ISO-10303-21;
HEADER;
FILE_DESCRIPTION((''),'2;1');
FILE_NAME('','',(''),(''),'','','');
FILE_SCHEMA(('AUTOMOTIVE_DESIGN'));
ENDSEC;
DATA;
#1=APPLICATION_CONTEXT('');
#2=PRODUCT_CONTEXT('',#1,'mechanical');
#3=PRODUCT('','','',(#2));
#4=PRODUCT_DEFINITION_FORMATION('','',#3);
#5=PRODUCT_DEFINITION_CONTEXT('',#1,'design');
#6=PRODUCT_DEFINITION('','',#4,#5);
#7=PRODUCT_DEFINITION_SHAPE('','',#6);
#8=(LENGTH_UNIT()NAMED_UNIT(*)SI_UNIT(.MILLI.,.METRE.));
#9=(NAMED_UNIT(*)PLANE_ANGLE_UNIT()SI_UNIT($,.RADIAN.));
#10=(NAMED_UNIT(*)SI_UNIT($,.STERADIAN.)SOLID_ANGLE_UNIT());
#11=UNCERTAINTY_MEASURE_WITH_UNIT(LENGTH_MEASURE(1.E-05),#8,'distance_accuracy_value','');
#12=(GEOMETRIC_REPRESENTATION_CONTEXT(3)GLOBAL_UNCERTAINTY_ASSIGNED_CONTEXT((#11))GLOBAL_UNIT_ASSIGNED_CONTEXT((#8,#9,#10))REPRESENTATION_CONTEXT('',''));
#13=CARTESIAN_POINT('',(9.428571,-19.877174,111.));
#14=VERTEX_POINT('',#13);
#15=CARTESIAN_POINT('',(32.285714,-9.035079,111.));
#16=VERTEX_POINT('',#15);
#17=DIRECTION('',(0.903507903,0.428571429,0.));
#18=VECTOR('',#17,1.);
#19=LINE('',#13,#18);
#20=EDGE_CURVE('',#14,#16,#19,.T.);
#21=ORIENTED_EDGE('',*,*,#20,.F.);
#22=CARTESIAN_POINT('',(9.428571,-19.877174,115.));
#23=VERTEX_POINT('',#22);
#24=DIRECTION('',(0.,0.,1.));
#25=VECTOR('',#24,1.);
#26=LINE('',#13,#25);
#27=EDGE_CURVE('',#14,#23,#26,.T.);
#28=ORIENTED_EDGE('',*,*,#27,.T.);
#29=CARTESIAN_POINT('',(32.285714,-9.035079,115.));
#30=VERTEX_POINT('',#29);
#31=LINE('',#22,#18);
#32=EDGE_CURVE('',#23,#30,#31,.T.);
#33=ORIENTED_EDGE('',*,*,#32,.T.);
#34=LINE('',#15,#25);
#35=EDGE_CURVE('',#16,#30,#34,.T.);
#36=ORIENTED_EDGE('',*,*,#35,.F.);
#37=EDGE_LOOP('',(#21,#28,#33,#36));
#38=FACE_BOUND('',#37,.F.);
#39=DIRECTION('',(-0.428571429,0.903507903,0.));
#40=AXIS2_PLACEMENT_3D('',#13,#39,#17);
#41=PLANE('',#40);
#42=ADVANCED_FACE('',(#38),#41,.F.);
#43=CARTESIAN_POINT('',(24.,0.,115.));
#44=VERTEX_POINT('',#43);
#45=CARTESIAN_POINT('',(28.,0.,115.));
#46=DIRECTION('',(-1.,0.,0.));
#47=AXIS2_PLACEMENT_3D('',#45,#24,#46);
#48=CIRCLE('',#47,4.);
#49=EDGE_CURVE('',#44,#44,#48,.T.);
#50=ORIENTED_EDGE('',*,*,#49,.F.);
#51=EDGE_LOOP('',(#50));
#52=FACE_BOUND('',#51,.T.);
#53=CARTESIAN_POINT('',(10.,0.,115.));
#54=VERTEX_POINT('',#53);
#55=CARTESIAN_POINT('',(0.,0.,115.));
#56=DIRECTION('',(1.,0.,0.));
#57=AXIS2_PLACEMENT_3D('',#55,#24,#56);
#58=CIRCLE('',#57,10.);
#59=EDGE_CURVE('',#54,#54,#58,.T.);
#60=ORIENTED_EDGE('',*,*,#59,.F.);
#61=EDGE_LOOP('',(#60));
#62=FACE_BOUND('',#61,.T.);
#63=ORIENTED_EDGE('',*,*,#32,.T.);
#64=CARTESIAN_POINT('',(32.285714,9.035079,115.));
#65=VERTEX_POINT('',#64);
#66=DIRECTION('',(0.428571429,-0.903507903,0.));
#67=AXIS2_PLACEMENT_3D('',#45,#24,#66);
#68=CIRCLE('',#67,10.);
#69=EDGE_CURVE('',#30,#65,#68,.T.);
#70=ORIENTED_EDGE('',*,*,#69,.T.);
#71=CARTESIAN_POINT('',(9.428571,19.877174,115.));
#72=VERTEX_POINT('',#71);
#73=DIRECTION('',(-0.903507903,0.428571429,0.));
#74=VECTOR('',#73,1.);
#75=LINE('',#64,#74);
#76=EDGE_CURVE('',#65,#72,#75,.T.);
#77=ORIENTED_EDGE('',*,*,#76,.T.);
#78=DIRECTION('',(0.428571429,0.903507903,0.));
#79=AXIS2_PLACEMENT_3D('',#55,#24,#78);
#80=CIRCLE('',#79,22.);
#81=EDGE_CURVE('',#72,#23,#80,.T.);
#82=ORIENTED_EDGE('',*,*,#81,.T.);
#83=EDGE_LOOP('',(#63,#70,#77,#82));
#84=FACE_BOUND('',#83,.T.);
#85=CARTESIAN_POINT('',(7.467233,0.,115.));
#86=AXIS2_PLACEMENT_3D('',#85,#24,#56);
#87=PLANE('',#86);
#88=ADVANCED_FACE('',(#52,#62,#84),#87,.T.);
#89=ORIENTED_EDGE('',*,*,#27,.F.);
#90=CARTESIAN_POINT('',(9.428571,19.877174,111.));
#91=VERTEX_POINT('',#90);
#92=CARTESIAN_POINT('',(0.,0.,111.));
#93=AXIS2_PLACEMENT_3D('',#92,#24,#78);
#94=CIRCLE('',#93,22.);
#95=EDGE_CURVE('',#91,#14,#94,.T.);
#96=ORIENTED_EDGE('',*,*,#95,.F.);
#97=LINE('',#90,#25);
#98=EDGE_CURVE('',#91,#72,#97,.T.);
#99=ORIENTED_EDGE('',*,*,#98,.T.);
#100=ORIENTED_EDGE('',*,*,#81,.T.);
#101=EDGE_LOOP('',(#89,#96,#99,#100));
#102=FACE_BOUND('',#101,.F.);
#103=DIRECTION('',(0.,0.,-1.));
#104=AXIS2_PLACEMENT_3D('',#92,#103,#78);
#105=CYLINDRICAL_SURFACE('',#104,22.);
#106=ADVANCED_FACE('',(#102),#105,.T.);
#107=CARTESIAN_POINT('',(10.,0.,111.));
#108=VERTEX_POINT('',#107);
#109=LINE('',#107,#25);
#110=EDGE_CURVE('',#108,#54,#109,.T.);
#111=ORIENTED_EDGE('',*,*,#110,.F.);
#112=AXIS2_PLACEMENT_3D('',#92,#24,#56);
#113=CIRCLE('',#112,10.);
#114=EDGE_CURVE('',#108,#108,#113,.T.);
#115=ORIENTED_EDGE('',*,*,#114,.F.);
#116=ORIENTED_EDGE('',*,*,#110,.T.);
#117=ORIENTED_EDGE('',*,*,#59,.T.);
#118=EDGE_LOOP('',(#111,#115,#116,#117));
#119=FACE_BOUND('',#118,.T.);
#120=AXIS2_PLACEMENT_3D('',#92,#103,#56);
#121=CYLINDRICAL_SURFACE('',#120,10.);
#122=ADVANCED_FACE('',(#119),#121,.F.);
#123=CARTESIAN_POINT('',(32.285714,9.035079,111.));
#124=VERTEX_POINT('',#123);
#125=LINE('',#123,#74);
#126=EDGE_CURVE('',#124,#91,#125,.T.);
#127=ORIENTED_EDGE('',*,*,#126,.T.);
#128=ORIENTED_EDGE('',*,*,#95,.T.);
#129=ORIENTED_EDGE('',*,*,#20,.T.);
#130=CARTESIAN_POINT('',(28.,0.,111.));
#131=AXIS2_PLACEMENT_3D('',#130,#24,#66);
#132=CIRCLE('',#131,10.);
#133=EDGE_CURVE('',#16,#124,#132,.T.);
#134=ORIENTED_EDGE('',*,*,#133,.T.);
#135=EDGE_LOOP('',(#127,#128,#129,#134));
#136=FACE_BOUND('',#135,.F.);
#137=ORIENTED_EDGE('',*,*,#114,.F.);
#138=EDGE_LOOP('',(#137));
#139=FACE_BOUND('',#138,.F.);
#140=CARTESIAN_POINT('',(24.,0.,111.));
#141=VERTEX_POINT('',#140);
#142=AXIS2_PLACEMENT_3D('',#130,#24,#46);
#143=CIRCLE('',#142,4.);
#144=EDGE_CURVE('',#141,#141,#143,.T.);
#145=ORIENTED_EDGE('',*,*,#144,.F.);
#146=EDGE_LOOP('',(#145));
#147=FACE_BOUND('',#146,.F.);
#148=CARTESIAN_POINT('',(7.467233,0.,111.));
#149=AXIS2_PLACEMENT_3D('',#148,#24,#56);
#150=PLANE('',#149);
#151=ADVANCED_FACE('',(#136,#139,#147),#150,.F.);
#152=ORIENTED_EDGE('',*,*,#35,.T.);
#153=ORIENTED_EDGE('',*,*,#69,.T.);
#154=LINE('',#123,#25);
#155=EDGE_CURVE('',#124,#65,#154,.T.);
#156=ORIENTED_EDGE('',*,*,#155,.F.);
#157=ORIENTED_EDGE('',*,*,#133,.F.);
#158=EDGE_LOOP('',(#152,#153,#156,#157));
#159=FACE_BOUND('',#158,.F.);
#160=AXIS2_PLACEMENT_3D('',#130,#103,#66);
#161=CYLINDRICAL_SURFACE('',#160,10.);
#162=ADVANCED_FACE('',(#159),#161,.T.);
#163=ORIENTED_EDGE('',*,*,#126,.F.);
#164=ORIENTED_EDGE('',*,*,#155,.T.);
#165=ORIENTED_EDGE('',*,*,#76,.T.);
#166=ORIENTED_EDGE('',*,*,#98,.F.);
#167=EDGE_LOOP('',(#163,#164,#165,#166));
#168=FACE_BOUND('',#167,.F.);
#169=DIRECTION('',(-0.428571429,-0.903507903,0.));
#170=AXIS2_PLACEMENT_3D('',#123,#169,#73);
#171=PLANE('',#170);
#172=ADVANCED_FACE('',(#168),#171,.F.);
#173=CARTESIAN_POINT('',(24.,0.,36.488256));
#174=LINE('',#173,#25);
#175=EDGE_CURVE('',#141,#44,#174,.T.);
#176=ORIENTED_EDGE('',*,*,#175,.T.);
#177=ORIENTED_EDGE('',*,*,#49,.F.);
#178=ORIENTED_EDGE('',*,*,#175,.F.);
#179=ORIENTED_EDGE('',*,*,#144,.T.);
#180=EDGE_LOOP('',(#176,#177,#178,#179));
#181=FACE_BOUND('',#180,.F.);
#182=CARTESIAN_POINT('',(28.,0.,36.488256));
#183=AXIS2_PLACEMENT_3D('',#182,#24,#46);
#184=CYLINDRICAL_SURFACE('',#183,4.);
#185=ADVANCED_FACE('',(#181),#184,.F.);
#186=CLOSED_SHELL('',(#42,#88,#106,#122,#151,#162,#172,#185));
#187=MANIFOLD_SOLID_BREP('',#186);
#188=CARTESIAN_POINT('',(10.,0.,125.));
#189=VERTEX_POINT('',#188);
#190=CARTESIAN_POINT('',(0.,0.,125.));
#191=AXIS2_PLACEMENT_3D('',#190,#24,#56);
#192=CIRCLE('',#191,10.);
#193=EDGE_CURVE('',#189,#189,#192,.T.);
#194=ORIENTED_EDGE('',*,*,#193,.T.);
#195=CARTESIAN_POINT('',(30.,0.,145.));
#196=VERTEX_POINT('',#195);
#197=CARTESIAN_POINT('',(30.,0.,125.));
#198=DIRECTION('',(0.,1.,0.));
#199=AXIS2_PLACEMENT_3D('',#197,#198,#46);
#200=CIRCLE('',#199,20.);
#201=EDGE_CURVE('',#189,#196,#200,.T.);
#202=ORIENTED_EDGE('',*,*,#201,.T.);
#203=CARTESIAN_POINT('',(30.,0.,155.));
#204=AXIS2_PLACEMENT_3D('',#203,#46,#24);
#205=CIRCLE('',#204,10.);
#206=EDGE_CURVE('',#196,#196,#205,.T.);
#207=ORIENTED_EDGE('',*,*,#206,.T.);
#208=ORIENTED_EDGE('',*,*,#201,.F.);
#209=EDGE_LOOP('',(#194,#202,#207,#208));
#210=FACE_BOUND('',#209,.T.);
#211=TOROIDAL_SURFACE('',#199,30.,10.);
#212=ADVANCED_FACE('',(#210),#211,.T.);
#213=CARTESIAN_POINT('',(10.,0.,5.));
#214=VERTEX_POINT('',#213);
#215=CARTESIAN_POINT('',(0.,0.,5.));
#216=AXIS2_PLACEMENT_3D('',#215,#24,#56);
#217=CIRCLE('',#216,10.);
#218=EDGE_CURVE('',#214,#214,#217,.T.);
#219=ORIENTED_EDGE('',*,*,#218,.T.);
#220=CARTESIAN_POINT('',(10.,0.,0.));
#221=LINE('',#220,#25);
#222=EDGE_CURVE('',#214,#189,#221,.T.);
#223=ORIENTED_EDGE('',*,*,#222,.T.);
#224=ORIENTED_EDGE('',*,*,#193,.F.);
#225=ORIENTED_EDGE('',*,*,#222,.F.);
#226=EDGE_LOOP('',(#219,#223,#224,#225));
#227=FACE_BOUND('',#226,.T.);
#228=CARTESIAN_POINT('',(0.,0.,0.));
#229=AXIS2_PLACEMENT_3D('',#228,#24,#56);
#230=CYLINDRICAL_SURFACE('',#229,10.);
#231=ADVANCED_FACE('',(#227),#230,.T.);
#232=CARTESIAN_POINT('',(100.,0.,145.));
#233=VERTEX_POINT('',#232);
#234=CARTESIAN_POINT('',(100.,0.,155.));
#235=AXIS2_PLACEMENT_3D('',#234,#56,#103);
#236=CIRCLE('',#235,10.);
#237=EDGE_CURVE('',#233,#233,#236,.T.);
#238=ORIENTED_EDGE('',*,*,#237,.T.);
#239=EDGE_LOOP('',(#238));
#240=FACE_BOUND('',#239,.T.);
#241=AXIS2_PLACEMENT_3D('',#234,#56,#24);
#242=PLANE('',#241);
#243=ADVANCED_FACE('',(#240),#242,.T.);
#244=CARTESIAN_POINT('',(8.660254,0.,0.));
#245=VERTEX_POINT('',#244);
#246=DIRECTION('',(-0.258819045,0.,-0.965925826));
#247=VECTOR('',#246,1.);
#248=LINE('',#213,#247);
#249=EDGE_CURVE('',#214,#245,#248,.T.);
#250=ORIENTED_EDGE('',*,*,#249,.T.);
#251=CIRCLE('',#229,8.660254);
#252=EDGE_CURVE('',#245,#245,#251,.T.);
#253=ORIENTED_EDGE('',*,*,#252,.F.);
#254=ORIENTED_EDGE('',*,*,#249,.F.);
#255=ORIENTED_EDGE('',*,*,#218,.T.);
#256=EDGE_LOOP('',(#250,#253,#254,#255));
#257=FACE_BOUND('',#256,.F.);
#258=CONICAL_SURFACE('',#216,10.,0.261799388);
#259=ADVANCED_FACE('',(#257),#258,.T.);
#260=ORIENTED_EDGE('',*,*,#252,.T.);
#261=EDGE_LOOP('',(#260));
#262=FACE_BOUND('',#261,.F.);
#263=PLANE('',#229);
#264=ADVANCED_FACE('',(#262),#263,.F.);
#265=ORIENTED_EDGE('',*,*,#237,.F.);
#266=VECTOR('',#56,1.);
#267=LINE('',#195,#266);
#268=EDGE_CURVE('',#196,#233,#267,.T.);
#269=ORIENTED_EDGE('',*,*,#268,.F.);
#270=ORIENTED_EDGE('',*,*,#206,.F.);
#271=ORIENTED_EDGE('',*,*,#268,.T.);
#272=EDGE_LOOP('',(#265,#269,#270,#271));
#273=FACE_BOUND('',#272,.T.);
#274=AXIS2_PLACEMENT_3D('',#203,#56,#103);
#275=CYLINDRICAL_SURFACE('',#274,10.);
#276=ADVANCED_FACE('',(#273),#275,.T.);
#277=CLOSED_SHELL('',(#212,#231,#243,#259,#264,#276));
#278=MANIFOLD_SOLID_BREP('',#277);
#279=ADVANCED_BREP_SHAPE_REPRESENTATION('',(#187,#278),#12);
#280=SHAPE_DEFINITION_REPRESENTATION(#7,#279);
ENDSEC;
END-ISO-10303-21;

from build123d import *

# Parameters (mm, degrees)
F1_R     = 10
F3_SIZE2 = 1.3397459622
F3_SIZE  = 5
F5_R     = 10
F6_DEPTH = 4
F7_D     = 8


with BuildPart() as f2:
    # F2: sweep along a path in F0
    with BuildLine(Plane.XZ) as f2_path:
        Line((0, 0), (0, 125))
        ThreePointArc((0, 125), (8.7867965644, 146.2132034356), (30, 155))
        Line((30, 155), (100, 155))
    # F1 (on Top) → F2 (sweep)
    with BuildSketch(Plane.XY):
        Circle(F1_R)
    sweep(path=f2_path.line)

    # F3
    f3_edges = [f2.edges().sort_by_distance(p)[0] for p in [
        (-10, 0, 0),
    ]]
    chamfer(f3_edges, length=F3_SIZE, length2=F3_SIZE2)


with BuildPart() as f6:
    # F5 (on offset) → F6 (new body)
    with BuildSketch(Plane.XY.offset(111)):
        with BuildLine():
            Line((32.2857142857, 9.0350790291), (9.4285714286, 19.8771738639))
            ThreePointArc((9.4285714286, 19.8771738639), (-22, 0), (9.4285714286, -19.8771738639))
            Line((9.4285714286, -19.8771738639), (32.2857142857, -9.0350790291))
            ThreePointArc((32.2857142857, -9.0350790291), (38, 0), (32.2857142857, 9.0350790291))
        make_face()
        Circle(F5_R, mode=Mode.SUBTRACT)
    extrude(amount=F6_DEPTH)

    # F7 (through all)
    with Locations(Plane(origin=(0, 0, 111), x_dir=(1, 0, 0), z_dir=(0, 0, -1))):
        with Locations((28, 0)):
            Hole(F7_D / 2)


solid = Compound([f2.part, f6.part])
